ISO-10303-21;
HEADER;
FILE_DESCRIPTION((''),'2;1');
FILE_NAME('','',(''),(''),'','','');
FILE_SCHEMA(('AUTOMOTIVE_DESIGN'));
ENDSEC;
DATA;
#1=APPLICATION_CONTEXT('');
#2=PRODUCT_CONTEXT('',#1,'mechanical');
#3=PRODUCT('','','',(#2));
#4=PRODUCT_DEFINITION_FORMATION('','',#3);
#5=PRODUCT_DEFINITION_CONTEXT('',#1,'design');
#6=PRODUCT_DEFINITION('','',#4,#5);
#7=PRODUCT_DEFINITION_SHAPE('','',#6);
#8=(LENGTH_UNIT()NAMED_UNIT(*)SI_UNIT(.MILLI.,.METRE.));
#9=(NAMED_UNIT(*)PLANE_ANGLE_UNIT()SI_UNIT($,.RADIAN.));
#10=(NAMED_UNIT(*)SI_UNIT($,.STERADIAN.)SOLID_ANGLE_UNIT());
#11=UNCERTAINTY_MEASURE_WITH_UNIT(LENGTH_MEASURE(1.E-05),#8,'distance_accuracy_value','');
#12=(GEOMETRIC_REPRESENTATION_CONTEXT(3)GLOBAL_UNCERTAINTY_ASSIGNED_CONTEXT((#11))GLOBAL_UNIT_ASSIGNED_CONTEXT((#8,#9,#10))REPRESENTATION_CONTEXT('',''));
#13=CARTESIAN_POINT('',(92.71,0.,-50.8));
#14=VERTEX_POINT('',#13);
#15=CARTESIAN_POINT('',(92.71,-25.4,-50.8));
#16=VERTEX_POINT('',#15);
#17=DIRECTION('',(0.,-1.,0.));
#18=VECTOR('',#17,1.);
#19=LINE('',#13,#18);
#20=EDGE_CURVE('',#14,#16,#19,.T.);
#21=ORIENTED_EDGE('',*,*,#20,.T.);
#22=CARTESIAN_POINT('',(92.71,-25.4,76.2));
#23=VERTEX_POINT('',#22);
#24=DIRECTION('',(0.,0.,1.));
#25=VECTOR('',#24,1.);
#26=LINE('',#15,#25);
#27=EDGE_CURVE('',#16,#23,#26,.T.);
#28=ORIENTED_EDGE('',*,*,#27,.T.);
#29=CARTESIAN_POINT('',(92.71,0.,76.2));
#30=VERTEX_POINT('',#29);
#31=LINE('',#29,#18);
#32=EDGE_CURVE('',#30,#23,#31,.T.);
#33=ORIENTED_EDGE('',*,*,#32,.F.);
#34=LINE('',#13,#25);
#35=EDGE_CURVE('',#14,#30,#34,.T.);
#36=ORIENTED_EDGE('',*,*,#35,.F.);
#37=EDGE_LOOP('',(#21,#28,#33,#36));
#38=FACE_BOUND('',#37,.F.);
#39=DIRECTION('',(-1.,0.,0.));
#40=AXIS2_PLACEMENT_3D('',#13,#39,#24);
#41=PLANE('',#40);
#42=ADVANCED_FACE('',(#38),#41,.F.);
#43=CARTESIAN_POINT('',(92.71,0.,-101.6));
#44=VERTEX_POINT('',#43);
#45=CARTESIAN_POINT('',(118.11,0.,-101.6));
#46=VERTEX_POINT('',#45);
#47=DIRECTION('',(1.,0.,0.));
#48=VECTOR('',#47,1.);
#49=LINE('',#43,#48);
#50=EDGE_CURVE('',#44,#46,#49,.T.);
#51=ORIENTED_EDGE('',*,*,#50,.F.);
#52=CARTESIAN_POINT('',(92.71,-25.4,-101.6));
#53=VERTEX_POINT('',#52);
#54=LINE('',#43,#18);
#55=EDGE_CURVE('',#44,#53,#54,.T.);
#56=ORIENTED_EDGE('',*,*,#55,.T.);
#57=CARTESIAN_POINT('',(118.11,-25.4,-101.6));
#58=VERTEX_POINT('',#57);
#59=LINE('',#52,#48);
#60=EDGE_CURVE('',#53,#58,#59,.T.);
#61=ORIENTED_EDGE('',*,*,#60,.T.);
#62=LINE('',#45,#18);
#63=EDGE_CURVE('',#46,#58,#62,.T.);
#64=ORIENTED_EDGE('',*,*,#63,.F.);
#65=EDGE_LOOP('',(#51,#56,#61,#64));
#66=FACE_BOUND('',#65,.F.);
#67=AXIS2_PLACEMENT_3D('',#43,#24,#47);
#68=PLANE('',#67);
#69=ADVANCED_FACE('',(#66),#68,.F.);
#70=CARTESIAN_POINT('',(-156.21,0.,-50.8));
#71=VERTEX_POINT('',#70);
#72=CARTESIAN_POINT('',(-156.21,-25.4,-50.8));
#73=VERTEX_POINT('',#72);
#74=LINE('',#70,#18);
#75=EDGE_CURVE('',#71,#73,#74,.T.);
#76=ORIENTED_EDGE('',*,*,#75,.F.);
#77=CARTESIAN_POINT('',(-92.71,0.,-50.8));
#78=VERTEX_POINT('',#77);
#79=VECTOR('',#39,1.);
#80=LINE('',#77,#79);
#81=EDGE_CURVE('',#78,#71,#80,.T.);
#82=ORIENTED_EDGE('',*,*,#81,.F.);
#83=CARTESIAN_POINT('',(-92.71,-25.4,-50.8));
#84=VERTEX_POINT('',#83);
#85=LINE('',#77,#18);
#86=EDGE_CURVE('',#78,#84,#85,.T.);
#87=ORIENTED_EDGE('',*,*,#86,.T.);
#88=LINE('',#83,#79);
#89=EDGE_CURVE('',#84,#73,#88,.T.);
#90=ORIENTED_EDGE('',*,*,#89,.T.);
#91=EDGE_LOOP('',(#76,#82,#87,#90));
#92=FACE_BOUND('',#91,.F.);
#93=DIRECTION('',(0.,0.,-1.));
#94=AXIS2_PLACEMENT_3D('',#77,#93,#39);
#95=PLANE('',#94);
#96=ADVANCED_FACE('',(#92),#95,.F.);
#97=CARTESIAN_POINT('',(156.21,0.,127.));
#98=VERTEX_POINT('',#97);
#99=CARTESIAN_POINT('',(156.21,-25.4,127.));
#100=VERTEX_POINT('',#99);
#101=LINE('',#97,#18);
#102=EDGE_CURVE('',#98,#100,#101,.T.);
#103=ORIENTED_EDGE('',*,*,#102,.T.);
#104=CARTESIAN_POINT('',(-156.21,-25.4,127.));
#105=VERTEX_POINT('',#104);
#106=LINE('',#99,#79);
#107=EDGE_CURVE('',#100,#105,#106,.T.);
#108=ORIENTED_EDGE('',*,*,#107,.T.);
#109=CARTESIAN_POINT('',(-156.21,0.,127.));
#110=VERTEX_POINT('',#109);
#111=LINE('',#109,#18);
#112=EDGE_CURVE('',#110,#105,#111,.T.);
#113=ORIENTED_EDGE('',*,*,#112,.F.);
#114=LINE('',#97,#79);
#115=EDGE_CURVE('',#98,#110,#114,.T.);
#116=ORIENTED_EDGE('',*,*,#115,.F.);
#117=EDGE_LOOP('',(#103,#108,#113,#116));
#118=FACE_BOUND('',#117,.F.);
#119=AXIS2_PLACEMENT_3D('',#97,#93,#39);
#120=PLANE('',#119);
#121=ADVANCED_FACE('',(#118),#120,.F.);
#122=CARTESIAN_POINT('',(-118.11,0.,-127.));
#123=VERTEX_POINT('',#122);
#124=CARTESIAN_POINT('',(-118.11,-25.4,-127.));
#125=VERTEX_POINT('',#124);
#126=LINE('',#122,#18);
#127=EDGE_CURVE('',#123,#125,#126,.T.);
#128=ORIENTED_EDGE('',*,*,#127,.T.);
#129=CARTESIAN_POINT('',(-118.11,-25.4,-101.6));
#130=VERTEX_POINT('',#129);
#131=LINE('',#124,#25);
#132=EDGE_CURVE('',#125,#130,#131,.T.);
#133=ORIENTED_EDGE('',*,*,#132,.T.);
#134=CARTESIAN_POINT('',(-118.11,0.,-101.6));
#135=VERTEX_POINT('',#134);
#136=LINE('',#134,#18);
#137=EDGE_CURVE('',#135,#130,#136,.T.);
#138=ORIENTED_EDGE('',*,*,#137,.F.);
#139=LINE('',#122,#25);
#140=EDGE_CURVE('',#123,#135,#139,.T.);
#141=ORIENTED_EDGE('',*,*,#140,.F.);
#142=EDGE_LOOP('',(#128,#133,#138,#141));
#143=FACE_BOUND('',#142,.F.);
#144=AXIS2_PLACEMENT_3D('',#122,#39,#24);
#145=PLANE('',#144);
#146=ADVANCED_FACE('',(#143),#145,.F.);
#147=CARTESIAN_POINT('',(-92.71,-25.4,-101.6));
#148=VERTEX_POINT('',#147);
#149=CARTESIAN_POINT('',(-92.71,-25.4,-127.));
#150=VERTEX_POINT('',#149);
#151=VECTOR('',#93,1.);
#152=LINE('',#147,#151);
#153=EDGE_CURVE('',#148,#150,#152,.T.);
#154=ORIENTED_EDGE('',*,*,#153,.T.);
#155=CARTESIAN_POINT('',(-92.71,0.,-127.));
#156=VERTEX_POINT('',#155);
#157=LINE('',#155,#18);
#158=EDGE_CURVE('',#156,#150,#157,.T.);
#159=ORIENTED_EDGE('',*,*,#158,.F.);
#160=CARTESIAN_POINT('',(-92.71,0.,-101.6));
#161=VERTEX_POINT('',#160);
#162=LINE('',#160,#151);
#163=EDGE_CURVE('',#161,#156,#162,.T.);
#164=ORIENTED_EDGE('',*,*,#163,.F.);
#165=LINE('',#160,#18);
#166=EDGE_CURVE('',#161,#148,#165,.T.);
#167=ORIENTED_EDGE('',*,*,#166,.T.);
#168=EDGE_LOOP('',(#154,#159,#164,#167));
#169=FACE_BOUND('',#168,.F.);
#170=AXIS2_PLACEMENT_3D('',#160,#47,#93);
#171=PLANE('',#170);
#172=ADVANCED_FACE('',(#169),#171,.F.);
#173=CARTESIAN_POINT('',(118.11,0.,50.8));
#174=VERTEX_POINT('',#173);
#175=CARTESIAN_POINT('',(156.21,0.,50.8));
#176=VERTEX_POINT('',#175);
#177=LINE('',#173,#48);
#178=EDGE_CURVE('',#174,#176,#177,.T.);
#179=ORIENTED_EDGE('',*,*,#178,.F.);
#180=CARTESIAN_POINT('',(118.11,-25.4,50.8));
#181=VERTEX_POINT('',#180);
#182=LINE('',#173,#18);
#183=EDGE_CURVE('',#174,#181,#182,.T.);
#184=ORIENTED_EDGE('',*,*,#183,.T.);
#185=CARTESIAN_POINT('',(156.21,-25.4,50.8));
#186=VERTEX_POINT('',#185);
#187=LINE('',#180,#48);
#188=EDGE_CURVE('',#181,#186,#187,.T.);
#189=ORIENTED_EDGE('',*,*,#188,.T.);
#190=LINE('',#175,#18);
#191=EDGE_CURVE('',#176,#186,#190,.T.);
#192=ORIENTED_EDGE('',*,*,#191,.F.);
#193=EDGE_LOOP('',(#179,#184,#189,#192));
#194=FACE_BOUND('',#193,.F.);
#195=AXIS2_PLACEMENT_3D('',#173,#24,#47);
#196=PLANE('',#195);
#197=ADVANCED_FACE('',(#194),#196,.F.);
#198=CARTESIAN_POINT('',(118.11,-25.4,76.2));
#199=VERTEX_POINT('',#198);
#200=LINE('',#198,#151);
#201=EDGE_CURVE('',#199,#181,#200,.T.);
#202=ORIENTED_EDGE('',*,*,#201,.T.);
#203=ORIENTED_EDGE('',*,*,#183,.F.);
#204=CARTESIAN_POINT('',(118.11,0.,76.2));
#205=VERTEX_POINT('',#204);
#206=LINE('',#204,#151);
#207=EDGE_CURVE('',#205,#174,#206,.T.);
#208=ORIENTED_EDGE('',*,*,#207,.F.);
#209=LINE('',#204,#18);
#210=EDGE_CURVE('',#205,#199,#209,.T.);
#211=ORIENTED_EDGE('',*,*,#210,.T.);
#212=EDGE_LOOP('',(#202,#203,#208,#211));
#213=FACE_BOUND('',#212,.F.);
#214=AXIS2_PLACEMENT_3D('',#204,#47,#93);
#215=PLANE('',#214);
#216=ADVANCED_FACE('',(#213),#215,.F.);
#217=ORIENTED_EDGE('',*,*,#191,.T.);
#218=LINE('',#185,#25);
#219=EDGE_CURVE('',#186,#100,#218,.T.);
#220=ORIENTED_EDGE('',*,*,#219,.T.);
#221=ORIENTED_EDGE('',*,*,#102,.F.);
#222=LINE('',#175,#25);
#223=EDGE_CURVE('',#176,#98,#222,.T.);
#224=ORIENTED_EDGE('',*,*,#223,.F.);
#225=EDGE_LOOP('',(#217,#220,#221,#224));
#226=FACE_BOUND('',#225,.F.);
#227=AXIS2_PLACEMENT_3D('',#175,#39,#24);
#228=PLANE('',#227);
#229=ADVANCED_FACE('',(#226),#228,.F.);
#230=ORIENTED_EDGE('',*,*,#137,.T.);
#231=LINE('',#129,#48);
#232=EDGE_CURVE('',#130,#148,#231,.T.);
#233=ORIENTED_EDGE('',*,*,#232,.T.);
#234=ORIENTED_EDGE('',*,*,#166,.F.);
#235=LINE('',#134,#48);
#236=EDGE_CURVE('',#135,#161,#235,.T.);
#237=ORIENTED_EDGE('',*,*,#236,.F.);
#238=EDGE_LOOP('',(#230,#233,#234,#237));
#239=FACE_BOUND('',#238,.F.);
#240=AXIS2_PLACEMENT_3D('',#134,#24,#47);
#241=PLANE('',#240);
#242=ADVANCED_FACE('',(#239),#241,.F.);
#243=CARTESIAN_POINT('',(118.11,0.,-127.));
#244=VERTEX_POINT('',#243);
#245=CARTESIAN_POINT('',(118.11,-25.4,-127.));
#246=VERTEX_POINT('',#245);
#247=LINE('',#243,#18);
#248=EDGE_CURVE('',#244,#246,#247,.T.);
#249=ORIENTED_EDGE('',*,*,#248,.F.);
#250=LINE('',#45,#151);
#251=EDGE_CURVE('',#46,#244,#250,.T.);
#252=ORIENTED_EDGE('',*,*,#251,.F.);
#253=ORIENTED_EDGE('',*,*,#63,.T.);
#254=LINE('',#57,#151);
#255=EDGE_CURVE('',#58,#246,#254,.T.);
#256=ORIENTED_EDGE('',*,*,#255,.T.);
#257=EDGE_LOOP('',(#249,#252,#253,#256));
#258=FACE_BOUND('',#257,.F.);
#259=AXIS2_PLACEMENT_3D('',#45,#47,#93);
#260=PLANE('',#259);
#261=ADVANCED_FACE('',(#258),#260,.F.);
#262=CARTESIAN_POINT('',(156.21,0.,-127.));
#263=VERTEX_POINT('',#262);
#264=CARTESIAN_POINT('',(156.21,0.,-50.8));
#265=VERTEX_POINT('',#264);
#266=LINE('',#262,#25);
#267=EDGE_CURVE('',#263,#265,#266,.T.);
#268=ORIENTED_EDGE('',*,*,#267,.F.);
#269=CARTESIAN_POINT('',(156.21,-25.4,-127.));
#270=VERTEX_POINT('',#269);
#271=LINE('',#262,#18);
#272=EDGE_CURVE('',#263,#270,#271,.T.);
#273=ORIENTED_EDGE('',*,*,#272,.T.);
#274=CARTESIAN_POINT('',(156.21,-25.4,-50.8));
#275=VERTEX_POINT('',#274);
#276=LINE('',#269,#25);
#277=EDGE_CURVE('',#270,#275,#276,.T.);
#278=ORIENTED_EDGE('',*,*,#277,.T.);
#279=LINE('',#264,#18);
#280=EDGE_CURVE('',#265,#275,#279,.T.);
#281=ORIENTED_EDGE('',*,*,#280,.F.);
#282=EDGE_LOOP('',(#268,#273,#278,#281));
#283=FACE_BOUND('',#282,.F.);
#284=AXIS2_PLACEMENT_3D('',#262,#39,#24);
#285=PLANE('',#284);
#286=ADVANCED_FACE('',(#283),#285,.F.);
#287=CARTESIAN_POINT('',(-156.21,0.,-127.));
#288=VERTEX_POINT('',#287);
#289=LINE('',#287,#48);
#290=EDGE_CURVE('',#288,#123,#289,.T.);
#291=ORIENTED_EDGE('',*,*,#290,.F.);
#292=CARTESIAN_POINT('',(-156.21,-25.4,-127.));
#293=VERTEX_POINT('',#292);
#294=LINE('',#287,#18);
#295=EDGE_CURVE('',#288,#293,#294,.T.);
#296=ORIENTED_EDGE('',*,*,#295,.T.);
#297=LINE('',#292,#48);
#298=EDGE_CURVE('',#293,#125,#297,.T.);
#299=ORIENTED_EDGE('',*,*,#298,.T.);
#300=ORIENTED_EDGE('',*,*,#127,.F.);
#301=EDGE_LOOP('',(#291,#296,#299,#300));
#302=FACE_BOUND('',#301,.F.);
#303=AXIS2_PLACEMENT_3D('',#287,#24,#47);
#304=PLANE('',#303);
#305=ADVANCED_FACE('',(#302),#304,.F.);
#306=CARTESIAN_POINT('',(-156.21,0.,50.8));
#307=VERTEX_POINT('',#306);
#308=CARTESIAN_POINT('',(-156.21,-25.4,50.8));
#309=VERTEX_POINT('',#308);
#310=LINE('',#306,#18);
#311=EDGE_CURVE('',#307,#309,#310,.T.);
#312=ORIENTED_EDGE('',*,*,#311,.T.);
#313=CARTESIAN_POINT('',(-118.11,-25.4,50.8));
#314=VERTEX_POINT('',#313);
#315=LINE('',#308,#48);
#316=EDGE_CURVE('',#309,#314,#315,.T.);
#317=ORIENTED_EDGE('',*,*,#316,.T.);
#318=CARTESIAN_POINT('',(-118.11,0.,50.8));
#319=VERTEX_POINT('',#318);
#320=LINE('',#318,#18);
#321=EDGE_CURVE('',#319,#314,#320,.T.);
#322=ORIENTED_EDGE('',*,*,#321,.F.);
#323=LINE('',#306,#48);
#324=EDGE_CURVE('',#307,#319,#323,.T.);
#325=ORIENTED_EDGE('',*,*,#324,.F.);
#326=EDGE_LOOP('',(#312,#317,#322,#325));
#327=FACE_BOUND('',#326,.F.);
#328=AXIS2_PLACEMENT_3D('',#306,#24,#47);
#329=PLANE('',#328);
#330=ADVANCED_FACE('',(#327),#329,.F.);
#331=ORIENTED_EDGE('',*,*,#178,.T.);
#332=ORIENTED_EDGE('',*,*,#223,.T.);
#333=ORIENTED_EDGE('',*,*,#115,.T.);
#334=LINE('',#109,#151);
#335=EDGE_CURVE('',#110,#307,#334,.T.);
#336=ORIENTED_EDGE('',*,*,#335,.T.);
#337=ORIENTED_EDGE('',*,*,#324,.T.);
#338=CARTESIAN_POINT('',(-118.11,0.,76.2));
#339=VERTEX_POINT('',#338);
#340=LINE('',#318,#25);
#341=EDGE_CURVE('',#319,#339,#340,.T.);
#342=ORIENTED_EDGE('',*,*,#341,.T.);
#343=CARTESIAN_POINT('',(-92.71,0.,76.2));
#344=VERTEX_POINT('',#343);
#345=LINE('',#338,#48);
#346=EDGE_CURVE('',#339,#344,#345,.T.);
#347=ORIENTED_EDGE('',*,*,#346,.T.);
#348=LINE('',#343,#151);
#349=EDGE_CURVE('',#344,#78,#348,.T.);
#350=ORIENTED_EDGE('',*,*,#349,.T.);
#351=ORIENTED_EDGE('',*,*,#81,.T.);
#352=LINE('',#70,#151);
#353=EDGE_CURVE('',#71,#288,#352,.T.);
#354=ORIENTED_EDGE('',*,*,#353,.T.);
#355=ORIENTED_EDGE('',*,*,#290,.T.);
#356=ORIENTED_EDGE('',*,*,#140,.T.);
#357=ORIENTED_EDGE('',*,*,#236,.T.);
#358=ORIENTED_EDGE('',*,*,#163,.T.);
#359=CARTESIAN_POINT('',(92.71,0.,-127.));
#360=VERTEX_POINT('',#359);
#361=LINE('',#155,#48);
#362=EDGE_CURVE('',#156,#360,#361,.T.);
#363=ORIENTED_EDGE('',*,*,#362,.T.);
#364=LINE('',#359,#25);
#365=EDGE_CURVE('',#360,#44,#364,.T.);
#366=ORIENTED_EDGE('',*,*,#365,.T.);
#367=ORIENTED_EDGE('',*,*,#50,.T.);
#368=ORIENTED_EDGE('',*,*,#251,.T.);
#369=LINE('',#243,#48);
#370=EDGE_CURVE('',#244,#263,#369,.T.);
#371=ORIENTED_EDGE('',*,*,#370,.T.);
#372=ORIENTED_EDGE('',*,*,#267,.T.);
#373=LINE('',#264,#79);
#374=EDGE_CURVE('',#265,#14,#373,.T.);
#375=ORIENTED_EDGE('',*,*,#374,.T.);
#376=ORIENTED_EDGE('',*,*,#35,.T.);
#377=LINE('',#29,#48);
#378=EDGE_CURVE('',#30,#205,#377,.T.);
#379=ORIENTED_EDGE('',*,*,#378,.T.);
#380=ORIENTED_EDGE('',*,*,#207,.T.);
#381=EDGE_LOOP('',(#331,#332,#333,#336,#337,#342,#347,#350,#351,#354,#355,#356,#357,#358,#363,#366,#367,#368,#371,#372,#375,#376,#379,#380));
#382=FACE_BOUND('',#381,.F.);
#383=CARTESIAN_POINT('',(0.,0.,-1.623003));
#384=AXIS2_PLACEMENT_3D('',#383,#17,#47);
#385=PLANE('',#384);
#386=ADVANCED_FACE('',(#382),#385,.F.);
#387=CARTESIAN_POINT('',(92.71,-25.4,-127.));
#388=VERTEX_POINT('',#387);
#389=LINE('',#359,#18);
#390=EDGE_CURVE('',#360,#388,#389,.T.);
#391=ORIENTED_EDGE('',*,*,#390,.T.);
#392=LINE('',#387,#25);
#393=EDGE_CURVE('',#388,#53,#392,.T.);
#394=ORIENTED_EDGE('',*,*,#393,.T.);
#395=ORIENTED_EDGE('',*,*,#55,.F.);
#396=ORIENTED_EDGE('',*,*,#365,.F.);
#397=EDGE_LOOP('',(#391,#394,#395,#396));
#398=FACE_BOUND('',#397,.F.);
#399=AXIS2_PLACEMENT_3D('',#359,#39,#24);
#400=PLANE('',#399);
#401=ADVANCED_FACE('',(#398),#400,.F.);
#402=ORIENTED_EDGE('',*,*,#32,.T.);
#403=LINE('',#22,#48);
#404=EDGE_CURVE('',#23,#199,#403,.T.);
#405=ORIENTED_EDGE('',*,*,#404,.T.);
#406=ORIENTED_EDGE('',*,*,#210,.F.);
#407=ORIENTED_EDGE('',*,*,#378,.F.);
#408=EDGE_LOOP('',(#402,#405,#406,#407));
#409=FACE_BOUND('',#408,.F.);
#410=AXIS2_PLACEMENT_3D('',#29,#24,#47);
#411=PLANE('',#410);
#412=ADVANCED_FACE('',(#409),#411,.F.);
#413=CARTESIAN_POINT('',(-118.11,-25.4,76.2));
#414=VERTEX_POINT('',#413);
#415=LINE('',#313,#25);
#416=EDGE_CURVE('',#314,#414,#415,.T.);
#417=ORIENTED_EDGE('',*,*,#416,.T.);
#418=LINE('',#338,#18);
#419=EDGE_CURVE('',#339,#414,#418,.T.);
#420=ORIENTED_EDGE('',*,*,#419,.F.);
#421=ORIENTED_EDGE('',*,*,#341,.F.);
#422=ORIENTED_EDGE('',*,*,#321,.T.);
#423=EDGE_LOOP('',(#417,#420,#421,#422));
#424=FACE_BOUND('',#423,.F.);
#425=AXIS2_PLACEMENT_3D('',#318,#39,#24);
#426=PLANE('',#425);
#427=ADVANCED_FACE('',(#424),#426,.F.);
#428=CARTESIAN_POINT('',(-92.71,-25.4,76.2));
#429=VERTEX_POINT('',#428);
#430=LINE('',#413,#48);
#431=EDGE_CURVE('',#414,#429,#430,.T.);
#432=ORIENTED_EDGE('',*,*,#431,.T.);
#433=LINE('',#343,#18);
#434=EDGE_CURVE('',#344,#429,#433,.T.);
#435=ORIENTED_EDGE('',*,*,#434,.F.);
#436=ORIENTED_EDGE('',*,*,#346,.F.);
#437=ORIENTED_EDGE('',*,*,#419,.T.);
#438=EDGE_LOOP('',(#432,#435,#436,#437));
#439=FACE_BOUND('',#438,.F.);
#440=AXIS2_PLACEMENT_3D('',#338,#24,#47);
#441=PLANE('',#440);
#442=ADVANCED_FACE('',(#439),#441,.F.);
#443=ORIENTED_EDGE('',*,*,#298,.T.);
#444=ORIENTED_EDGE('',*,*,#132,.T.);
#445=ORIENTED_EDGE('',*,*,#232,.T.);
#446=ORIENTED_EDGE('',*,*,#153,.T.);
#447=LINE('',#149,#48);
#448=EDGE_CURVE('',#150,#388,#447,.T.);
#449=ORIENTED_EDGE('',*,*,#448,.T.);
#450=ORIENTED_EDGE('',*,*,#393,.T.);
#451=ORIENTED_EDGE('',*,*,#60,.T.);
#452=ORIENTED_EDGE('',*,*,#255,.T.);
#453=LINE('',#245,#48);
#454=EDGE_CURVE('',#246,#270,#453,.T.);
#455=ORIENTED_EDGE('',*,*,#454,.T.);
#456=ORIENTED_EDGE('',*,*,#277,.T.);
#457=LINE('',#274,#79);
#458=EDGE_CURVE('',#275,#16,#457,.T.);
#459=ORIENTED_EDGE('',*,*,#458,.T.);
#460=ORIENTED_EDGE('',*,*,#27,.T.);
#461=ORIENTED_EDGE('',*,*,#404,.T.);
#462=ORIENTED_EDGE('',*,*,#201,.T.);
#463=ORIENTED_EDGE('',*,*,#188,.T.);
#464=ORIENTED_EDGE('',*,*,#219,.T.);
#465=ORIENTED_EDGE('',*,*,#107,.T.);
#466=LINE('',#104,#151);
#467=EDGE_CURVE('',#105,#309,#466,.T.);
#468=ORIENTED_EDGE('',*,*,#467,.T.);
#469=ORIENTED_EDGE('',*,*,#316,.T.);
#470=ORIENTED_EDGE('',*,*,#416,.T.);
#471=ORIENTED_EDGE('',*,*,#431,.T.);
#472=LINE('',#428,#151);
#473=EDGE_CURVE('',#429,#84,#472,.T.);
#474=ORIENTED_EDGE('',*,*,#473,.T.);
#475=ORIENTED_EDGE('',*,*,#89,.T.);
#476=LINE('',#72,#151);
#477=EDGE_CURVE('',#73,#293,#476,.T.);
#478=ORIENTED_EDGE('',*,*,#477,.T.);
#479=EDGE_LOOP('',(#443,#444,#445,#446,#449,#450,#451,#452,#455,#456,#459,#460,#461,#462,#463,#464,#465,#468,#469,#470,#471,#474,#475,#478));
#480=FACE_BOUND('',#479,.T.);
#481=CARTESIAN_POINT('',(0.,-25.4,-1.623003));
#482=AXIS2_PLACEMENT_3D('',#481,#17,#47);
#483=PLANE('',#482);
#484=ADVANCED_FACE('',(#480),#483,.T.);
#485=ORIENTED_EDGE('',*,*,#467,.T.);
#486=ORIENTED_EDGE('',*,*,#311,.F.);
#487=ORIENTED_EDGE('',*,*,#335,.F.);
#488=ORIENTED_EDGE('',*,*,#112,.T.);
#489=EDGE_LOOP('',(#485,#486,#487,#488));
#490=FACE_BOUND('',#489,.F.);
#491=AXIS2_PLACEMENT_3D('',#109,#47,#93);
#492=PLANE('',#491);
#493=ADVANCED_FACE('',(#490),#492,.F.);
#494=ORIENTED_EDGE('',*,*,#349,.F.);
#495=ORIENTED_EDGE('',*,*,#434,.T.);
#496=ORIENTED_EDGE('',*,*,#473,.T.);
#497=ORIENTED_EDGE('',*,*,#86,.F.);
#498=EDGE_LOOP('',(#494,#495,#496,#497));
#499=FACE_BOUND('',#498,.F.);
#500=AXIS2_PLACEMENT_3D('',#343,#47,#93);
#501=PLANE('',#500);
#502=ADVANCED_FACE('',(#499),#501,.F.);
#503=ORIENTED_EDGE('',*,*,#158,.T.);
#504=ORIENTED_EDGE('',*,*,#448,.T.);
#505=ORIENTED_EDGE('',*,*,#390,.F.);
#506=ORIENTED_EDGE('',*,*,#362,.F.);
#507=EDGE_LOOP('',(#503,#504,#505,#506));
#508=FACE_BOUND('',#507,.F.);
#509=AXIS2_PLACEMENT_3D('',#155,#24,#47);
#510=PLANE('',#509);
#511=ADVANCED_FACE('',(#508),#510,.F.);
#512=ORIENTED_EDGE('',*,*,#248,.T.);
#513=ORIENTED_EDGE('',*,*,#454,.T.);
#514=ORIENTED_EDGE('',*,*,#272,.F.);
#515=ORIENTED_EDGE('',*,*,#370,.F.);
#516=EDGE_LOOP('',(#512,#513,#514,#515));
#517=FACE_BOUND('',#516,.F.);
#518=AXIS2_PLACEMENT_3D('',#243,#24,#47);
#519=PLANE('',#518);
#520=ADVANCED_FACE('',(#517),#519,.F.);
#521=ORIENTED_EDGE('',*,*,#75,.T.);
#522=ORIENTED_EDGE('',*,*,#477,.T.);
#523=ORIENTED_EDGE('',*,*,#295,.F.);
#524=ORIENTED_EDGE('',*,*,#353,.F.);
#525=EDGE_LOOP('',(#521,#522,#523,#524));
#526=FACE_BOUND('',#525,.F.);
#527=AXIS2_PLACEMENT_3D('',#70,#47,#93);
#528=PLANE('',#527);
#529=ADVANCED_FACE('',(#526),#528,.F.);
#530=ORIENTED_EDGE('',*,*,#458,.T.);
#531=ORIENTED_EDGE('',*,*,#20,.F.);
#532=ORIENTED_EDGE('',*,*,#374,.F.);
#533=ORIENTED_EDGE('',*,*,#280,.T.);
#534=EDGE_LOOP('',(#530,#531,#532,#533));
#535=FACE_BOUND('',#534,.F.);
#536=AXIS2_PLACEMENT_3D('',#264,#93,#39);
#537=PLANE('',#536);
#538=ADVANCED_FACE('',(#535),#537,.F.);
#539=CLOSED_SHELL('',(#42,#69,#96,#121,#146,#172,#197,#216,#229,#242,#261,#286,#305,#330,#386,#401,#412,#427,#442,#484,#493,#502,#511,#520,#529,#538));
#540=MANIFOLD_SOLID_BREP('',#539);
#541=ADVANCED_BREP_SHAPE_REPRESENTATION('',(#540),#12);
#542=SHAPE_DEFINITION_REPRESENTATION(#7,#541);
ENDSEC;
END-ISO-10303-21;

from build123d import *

# Parameters (mm, degrees)
F1_DEPTH = 25.4


with BuildPart() as f1:
    # F0 (on Front) → F1 (new body)
    with BuildSketch(Plane.XZ):
        Polygon((156.21, 127), (92.71, 127), (-92.71, 127), (-156.21, 127), (-156.21, 50.8), (-118.11, 50.8), (-118.11, 76.2), (-92.71, 76.2), (-92.71, -50.8), (-156.21, -50.8), (-156.21, -127), (-118.11, -127), (-118.11, -101.6), (-92.71, -101.6), (-92.71, -127), (92.71, -127), (92.71, -101.6), (118.11, -101.6), (118.11, -127), (156.21, -127), (156.21, -50.8), (92.71, -50.8), (92.71, 76.2), (118.11, 76.2), (118.11, 50.8), (156.21, 50.8), align=None)
    extrude(amount=F1_DEPTH)


solid = f1.part
